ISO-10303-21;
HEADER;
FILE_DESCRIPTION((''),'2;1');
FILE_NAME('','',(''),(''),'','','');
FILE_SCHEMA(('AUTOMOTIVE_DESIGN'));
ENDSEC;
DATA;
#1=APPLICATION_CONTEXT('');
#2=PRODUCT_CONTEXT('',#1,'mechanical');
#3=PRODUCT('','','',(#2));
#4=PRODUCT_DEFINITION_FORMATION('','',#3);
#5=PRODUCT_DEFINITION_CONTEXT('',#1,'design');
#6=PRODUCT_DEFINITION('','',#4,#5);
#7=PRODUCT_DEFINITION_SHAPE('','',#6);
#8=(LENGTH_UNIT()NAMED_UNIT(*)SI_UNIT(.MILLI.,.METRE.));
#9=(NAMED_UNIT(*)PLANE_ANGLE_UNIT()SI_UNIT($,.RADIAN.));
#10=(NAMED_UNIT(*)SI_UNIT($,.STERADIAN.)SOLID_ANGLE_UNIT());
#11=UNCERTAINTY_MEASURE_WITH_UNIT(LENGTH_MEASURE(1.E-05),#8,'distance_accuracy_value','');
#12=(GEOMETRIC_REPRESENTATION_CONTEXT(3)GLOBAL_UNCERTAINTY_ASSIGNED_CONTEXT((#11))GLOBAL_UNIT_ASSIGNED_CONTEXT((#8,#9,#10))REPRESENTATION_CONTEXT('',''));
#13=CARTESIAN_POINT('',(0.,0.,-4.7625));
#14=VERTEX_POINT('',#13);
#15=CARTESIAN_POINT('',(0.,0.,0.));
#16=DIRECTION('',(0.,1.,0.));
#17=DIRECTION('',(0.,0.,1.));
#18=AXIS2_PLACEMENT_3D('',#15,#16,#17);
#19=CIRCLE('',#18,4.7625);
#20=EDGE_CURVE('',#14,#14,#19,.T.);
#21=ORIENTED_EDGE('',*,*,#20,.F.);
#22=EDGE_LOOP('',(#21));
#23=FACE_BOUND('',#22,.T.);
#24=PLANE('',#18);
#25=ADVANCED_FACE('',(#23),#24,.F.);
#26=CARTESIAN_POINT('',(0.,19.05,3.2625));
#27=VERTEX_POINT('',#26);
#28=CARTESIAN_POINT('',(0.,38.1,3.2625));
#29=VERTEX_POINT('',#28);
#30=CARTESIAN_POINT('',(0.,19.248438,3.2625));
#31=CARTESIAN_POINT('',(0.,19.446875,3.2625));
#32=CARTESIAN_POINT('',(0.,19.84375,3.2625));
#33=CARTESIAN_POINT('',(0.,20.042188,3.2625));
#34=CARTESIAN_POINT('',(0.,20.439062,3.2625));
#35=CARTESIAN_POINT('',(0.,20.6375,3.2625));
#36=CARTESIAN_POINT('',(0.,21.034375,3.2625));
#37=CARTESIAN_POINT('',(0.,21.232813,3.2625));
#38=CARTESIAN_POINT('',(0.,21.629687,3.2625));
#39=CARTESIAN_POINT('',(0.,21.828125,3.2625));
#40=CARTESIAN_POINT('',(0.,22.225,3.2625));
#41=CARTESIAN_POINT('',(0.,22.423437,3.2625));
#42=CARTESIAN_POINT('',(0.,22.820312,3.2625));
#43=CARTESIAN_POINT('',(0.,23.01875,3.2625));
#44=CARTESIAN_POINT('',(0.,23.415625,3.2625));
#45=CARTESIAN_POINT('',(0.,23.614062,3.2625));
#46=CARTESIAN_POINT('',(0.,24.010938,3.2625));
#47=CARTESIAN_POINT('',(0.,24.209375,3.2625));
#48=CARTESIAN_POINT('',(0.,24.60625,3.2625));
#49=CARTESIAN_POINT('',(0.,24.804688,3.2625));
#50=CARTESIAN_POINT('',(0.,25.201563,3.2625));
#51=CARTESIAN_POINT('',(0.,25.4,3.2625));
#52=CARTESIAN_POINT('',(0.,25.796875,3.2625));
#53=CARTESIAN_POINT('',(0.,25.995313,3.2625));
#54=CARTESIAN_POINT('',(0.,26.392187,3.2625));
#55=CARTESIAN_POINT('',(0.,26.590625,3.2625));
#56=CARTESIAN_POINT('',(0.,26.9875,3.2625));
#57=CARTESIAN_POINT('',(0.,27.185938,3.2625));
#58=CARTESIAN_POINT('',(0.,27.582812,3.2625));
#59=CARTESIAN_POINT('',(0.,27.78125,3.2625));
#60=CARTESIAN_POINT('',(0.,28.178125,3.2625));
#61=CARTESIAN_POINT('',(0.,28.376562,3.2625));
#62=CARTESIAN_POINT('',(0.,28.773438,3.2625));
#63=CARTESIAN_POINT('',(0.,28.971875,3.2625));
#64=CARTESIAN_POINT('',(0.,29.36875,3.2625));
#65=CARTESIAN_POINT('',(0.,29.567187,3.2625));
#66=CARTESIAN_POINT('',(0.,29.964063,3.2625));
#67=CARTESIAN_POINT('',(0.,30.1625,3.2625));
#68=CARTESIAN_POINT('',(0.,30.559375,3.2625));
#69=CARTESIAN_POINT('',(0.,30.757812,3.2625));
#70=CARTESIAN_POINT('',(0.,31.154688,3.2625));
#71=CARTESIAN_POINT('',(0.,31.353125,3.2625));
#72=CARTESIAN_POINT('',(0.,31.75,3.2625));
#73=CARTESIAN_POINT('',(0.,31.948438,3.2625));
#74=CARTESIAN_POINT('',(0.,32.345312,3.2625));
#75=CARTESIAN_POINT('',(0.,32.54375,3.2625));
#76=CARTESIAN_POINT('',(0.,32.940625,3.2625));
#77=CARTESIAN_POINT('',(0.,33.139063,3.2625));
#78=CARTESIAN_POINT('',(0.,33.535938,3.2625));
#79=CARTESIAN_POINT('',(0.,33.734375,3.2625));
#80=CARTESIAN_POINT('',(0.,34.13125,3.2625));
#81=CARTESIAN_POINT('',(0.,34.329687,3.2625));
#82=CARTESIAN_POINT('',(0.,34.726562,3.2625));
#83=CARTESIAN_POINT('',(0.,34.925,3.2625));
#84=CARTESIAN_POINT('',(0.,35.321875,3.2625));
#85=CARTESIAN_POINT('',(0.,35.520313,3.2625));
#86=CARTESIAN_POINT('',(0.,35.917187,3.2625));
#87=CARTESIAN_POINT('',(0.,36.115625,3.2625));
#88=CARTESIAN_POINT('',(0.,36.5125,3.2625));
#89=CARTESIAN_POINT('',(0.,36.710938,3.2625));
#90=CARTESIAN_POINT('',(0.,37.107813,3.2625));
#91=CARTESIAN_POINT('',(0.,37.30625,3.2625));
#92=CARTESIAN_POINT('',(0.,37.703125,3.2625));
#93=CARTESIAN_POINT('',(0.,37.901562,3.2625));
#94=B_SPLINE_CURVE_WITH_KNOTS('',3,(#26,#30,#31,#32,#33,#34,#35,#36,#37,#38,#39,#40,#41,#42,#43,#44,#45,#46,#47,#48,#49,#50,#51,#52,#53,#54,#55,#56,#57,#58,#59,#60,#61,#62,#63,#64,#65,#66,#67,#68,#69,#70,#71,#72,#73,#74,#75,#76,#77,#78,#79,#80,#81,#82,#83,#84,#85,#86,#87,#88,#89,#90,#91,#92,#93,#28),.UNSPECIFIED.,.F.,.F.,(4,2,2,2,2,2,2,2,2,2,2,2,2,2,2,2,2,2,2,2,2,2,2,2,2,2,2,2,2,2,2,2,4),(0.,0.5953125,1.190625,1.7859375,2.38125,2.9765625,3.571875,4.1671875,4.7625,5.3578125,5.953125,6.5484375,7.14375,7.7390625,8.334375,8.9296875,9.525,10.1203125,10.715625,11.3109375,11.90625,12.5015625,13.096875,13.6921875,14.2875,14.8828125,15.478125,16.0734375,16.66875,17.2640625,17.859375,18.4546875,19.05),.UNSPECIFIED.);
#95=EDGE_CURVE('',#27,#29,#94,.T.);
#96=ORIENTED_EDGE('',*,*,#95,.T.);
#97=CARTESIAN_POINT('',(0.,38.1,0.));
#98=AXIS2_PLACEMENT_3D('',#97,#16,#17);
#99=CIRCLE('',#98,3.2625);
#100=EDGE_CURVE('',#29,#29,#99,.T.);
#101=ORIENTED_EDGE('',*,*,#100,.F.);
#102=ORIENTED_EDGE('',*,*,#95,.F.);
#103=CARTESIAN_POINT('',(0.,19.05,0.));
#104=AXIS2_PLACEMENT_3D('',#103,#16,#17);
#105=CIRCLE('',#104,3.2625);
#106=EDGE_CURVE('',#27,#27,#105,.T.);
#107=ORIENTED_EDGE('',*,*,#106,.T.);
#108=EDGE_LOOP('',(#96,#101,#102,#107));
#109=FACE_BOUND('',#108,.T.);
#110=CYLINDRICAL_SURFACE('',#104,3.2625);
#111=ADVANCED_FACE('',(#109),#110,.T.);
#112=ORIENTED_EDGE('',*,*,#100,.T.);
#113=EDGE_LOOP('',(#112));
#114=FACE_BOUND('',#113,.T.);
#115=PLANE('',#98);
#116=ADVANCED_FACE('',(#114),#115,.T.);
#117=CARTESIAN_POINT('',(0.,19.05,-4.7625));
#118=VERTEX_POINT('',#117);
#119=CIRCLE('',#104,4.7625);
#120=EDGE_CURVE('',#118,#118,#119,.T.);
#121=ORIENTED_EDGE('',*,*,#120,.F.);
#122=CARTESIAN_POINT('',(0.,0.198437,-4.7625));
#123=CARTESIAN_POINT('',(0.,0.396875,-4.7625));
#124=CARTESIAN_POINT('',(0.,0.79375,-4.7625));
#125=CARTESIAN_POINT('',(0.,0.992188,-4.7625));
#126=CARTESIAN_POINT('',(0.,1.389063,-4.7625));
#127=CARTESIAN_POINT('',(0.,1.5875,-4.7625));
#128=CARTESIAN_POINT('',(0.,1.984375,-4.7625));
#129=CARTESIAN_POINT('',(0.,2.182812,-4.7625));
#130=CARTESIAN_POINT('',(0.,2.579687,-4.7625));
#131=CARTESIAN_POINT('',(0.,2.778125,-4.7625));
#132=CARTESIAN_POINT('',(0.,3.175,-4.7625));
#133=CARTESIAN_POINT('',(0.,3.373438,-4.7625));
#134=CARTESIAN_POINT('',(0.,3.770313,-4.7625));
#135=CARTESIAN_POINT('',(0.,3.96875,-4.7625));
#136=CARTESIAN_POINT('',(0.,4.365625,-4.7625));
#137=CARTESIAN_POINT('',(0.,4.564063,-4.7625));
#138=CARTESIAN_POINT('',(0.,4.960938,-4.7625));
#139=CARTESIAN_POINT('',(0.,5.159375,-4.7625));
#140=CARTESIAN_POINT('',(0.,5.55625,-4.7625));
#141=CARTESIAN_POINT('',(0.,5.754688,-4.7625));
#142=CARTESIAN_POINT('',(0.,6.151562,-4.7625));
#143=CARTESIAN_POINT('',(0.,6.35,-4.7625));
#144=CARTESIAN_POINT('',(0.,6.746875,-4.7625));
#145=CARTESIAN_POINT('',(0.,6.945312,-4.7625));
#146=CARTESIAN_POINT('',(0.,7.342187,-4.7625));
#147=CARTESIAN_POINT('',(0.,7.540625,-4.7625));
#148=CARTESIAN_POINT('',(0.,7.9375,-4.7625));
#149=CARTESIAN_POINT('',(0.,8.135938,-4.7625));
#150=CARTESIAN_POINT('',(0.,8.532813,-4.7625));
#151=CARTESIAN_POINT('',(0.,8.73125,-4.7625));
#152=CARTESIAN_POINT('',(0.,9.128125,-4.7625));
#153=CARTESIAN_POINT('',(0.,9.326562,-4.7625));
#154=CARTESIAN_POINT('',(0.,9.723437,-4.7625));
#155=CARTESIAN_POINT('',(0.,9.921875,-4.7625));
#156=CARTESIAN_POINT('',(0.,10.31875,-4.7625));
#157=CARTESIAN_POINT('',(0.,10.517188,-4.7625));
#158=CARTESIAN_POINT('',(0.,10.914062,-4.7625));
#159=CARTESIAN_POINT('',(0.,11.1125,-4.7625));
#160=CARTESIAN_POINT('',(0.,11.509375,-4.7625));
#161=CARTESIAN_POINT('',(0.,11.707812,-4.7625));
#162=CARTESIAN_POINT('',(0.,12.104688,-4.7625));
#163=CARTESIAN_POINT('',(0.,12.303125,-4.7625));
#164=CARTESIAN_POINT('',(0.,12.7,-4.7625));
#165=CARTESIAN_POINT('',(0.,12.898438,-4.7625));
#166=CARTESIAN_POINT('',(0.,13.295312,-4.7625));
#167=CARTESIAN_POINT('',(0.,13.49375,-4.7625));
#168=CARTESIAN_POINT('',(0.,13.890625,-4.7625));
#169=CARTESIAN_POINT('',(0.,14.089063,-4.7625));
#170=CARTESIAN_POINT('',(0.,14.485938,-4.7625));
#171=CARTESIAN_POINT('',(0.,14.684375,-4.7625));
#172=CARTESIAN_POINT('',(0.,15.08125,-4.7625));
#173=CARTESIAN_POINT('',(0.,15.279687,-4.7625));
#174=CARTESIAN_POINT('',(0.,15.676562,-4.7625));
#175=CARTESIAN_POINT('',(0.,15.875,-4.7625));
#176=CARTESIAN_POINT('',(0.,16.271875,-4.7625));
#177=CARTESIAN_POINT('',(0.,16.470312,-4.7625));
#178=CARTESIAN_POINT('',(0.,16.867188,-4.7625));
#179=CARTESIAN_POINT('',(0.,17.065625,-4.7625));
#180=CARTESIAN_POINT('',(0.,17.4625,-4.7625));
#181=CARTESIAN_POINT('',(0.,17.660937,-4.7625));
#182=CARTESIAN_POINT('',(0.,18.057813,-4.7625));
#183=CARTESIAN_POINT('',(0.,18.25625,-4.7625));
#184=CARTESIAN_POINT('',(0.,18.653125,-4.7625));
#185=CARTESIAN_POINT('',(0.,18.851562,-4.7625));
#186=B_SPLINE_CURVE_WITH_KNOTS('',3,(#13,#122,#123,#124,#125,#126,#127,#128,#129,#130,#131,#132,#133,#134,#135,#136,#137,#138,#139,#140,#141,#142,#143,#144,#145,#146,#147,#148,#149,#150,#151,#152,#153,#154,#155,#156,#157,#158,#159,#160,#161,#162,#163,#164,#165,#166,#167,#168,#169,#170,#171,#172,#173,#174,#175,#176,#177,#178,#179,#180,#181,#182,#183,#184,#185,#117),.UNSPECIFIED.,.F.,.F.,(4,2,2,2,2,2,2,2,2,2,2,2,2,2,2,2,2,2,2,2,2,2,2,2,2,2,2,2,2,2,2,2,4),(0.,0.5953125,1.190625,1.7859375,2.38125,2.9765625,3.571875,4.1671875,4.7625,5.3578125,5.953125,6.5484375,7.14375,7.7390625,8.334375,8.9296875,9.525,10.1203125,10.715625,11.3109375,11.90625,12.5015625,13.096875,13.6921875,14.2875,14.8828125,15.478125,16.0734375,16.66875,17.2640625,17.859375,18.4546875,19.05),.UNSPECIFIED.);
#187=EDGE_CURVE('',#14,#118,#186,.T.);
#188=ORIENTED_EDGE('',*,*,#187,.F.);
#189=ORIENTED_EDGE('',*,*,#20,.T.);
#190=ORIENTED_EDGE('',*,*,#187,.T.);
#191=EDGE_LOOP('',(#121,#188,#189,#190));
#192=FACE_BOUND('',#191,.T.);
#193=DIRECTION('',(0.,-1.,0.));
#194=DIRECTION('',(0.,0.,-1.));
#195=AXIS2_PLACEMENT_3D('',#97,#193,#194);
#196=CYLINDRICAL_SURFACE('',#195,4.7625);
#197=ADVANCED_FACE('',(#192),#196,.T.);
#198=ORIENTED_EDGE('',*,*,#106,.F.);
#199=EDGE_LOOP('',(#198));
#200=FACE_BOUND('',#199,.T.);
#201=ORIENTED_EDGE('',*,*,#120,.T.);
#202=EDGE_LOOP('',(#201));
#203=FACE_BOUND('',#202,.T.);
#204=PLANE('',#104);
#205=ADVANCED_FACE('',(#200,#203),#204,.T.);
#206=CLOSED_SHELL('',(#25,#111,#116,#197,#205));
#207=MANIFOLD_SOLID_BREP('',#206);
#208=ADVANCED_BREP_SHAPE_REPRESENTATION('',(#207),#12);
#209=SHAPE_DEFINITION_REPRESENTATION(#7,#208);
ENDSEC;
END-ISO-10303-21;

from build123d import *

# Parameters (mm, degrees)
SKETCH1_R           = 4.7625
BOSS_EXTRUDE1_DEPTH = 38.1
SKETCH2_R           = 5.567918197
SKETCH2_R_2         = 3.2625
CUT_EXTRUDE1_DEPTH  = 19.05


with BuildPart() as part:
    # Sketch1 → Boss-Extrude1 (new body)
    with BuildSketch(Plane(origin=(0, 0, 0), x_dir=(1, 0, 0), z_dir=(0, 1, 0))):
        with Locations(Location((0, 0, 0), (0, 0, 90))):
            Circle(SKETCH1_R)
    extrude(amount=BOSS_EXTRUDE1_DEPTH)

    # Sketch2 → Cut-Extrude1 (cut)
    with BuildSketch(Plane(origin=(0, 38.1, 0), x_dir=(1, 0, 0), z_dir=(0, 1, 0))):
        Circle(SKETCH2_R)
        with Locations(Location((0, 0, 0), (0, 0, 270))):
            Circle(SKETCH2_R_2, mode=Mode.SUBTRACT)
    extrude(amount=-CUT_EXTRUDE1_DEPTH, mode=Mode.SUBTRACT)


solid = part.part
